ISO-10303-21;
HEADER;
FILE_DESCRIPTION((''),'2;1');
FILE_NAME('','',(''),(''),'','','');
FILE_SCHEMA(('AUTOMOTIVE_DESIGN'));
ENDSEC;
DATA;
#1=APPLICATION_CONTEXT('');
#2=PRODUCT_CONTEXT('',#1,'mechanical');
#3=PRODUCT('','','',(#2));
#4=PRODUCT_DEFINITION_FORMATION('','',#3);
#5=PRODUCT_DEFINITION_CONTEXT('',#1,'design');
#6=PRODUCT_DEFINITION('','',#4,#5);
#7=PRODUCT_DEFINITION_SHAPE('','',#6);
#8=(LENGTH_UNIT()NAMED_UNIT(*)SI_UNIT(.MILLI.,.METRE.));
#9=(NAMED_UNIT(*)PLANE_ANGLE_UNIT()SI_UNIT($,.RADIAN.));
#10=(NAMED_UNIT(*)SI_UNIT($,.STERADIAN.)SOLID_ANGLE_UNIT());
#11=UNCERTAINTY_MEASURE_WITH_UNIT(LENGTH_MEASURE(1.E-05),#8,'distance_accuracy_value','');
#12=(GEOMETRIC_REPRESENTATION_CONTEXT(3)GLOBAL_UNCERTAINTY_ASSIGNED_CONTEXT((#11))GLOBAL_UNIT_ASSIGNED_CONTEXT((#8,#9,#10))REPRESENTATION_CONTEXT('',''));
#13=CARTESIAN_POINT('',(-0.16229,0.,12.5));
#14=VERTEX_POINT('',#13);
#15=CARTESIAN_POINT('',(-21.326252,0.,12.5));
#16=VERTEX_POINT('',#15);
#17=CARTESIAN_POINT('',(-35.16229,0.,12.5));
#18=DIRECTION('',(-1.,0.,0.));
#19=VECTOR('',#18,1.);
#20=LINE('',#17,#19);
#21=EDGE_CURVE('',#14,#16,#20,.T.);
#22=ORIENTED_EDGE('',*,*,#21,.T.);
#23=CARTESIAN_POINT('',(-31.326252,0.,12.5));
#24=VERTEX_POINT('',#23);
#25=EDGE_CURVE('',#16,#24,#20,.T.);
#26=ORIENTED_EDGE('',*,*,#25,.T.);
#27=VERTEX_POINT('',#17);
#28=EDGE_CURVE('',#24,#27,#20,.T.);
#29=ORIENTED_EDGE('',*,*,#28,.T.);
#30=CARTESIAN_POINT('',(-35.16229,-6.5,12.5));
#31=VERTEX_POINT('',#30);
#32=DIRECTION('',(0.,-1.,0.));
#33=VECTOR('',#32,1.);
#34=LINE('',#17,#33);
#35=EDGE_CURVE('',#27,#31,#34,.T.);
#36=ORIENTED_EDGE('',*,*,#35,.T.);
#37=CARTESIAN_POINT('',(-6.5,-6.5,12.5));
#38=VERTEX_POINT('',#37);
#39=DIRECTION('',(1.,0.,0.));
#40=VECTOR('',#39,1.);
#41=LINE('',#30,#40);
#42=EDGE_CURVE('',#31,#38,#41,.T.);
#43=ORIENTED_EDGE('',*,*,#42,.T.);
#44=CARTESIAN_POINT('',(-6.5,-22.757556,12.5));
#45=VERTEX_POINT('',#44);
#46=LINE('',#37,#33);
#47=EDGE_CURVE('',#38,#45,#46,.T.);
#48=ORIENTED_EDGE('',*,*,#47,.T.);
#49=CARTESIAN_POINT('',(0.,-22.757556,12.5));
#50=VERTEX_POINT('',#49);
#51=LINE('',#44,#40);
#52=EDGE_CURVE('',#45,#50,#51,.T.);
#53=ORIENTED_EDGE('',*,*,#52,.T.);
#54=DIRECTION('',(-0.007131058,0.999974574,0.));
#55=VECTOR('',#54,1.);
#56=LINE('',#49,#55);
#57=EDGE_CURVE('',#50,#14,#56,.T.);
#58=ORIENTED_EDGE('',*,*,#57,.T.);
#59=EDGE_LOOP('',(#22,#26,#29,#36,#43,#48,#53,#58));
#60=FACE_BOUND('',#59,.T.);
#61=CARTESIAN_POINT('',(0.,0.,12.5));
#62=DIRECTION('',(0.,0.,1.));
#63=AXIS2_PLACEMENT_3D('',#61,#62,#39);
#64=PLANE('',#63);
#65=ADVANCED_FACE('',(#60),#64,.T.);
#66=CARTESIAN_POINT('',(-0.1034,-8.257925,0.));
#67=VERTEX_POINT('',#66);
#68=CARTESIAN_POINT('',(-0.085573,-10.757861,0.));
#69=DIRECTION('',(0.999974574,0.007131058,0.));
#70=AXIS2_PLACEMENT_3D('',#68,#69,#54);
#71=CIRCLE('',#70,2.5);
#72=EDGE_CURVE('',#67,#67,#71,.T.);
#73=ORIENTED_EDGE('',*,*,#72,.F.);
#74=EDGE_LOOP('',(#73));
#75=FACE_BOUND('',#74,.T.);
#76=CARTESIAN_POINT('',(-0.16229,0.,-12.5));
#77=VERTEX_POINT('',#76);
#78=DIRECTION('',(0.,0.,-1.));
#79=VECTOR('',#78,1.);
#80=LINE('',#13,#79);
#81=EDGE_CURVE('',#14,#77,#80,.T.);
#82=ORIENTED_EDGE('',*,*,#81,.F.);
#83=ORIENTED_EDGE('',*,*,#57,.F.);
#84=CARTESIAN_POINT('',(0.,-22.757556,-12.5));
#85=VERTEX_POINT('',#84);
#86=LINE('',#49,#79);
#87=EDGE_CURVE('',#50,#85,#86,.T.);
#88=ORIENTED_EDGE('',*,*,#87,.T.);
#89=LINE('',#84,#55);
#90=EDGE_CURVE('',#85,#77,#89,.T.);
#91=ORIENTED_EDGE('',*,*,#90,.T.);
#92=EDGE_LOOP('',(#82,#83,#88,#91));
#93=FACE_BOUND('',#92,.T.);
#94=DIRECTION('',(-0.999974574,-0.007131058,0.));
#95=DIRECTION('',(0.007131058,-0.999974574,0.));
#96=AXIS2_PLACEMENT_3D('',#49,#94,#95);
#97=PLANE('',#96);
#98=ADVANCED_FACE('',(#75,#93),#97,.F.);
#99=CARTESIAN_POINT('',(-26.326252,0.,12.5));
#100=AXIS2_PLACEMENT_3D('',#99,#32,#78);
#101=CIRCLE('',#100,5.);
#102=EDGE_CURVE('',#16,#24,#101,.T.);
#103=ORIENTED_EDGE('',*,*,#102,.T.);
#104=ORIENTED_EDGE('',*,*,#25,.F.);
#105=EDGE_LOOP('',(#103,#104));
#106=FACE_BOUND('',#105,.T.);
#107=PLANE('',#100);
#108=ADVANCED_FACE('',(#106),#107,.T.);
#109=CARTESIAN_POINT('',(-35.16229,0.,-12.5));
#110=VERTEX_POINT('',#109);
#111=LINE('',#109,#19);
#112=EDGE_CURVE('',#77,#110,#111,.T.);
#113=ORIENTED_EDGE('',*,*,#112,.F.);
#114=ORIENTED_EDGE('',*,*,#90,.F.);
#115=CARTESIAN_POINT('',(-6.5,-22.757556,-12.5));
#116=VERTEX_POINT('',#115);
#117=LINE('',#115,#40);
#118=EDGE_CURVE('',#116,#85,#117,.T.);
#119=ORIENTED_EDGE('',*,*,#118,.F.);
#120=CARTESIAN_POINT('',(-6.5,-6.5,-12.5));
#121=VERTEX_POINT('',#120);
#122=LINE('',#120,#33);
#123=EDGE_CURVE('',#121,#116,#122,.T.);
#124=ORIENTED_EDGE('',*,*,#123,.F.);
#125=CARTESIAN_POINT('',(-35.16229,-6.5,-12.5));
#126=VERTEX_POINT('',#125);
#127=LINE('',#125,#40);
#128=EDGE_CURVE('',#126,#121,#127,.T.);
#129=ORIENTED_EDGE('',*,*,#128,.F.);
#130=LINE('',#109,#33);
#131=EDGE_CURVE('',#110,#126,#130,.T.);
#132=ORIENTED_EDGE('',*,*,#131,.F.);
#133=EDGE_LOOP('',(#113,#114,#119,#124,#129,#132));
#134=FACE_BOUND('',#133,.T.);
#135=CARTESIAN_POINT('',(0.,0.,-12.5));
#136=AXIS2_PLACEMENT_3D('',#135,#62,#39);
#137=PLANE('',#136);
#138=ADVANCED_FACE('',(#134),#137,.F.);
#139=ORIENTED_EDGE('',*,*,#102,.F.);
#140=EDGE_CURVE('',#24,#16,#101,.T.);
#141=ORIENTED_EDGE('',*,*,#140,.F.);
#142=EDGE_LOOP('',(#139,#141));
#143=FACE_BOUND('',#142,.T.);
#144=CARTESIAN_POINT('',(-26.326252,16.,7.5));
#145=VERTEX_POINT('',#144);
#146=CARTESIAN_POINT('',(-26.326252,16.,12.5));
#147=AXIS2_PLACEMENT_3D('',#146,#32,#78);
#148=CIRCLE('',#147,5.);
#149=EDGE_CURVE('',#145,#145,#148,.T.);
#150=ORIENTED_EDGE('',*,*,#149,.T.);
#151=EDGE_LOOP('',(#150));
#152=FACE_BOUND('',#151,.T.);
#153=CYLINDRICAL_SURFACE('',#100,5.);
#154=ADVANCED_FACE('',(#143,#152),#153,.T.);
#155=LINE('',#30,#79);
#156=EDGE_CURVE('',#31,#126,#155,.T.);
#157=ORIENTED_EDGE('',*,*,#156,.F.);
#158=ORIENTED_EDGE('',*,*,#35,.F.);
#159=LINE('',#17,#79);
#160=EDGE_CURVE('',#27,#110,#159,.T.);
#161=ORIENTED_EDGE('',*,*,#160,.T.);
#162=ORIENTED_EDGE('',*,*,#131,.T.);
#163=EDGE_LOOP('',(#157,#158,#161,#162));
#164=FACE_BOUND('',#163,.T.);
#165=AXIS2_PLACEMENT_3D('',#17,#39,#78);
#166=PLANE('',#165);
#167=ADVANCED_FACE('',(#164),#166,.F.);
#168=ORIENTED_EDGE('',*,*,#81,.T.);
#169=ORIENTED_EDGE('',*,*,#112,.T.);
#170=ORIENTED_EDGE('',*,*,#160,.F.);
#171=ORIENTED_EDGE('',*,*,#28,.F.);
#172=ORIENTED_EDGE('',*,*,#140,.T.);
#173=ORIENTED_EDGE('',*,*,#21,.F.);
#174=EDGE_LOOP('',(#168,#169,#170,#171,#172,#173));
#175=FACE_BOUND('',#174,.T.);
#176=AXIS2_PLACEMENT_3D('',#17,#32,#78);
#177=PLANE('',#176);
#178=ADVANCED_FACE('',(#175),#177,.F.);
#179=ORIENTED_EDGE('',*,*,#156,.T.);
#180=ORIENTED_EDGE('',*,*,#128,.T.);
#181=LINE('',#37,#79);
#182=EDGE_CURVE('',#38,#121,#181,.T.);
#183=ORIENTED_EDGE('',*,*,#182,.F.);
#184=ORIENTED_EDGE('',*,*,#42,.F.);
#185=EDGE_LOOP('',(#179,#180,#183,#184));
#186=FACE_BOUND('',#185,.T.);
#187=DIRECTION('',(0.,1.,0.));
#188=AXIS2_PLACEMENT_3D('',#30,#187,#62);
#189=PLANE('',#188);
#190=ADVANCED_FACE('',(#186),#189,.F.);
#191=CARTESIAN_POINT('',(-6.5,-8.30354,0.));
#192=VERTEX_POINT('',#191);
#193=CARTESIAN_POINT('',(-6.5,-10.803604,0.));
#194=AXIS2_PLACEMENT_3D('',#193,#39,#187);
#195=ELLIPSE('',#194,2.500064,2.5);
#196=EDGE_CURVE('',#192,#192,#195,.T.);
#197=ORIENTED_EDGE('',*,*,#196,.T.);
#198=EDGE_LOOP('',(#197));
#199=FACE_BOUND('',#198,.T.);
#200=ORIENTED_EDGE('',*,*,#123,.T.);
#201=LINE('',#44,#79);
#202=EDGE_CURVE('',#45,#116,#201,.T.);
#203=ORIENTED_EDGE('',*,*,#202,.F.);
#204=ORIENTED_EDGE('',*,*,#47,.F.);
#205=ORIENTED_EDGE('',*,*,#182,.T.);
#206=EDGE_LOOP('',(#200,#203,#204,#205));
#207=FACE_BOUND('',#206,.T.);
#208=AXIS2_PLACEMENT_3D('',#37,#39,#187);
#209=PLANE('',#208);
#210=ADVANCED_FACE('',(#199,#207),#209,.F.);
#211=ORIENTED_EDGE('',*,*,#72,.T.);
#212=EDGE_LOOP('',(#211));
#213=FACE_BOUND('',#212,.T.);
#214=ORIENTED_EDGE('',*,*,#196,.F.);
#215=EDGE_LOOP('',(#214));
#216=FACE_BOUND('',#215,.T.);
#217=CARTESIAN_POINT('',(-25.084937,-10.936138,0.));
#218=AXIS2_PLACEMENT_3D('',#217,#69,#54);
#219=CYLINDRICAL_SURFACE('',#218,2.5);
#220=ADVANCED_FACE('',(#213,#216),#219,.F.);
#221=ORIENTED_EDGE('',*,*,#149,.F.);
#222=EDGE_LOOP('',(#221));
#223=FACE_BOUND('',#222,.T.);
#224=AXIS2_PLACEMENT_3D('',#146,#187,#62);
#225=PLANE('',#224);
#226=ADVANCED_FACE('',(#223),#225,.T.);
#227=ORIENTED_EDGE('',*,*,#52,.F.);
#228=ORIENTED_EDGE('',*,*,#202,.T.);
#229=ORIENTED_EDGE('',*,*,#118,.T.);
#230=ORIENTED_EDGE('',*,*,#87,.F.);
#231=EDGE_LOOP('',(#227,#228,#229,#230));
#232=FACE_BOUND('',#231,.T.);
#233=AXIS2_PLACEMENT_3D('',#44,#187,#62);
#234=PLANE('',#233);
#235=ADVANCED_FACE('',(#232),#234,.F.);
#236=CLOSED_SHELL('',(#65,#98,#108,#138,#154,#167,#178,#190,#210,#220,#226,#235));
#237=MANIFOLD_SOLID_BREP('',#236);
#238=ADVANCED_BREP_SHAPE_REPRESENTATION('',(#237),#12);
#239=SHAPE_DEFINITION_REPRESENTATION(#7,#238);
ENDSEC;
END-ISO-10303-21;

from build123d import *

# Parameters (mm, degrees)
SALIENTE_EXTRUIR1_DEPTH = 12.5
CROQUIS5_R              = 2.5
CORTAR_EXTRUIR1_DEPTH   = 25
CROQUIS15_W             = 5
CROQUIS15_H             = 16


with BuildPart() as part:
    # Croquis1 → Saliente-Extruir1 (new, symmetric)
    with BuildSketch(Plane.XY):
        Polygon((-35.162289575, 0), (-0.162289575, 0), (0, -22.757556118), (-6.5, -22.757556118), (-6.5, -6.5), (-35.162289575, -6.5), align=None)
    extrude(amount=SALIENTE_EXTRUIR1_DEPTH, both=True)

    # Croquis5 → Cortar-Extruir1 (cut)
    with BuildSketch(Plane(origin=(-0.162281322, -0.001157267, 0), x_dir=(0, 0, -1), z_dir=(0.9999745736838829, 0.007131057827339795, 0))):
        with Locations(Location((0, -10.756977477, 0), (0, 0, 90))):
            Circle(CROQUIS5_R)
    extrude(amount=-CORTAR_EXTRUIR1_DEPTH, mode=Mode.SUBTRACT)

    # Croquis15 → Revolución2 (revolve)
    with BuildSketch(Plane.XY.offset(12.5), mode=Mode.PRIVATE) as revoluci_n2_sk:
        with Locations((-23.826251853, 8)):
            Rectangle(CROQUIS15_W, CROQUIS15_H)
    revolve(revoluci_n2_sk.sketch.rotate(Axis((-26.326251853, 0, 12.5), (0, 1, 0)), 90), axis=Axis((-26.326251853, 0, 12.5), (0, 1, 0)))


solid = part.part
